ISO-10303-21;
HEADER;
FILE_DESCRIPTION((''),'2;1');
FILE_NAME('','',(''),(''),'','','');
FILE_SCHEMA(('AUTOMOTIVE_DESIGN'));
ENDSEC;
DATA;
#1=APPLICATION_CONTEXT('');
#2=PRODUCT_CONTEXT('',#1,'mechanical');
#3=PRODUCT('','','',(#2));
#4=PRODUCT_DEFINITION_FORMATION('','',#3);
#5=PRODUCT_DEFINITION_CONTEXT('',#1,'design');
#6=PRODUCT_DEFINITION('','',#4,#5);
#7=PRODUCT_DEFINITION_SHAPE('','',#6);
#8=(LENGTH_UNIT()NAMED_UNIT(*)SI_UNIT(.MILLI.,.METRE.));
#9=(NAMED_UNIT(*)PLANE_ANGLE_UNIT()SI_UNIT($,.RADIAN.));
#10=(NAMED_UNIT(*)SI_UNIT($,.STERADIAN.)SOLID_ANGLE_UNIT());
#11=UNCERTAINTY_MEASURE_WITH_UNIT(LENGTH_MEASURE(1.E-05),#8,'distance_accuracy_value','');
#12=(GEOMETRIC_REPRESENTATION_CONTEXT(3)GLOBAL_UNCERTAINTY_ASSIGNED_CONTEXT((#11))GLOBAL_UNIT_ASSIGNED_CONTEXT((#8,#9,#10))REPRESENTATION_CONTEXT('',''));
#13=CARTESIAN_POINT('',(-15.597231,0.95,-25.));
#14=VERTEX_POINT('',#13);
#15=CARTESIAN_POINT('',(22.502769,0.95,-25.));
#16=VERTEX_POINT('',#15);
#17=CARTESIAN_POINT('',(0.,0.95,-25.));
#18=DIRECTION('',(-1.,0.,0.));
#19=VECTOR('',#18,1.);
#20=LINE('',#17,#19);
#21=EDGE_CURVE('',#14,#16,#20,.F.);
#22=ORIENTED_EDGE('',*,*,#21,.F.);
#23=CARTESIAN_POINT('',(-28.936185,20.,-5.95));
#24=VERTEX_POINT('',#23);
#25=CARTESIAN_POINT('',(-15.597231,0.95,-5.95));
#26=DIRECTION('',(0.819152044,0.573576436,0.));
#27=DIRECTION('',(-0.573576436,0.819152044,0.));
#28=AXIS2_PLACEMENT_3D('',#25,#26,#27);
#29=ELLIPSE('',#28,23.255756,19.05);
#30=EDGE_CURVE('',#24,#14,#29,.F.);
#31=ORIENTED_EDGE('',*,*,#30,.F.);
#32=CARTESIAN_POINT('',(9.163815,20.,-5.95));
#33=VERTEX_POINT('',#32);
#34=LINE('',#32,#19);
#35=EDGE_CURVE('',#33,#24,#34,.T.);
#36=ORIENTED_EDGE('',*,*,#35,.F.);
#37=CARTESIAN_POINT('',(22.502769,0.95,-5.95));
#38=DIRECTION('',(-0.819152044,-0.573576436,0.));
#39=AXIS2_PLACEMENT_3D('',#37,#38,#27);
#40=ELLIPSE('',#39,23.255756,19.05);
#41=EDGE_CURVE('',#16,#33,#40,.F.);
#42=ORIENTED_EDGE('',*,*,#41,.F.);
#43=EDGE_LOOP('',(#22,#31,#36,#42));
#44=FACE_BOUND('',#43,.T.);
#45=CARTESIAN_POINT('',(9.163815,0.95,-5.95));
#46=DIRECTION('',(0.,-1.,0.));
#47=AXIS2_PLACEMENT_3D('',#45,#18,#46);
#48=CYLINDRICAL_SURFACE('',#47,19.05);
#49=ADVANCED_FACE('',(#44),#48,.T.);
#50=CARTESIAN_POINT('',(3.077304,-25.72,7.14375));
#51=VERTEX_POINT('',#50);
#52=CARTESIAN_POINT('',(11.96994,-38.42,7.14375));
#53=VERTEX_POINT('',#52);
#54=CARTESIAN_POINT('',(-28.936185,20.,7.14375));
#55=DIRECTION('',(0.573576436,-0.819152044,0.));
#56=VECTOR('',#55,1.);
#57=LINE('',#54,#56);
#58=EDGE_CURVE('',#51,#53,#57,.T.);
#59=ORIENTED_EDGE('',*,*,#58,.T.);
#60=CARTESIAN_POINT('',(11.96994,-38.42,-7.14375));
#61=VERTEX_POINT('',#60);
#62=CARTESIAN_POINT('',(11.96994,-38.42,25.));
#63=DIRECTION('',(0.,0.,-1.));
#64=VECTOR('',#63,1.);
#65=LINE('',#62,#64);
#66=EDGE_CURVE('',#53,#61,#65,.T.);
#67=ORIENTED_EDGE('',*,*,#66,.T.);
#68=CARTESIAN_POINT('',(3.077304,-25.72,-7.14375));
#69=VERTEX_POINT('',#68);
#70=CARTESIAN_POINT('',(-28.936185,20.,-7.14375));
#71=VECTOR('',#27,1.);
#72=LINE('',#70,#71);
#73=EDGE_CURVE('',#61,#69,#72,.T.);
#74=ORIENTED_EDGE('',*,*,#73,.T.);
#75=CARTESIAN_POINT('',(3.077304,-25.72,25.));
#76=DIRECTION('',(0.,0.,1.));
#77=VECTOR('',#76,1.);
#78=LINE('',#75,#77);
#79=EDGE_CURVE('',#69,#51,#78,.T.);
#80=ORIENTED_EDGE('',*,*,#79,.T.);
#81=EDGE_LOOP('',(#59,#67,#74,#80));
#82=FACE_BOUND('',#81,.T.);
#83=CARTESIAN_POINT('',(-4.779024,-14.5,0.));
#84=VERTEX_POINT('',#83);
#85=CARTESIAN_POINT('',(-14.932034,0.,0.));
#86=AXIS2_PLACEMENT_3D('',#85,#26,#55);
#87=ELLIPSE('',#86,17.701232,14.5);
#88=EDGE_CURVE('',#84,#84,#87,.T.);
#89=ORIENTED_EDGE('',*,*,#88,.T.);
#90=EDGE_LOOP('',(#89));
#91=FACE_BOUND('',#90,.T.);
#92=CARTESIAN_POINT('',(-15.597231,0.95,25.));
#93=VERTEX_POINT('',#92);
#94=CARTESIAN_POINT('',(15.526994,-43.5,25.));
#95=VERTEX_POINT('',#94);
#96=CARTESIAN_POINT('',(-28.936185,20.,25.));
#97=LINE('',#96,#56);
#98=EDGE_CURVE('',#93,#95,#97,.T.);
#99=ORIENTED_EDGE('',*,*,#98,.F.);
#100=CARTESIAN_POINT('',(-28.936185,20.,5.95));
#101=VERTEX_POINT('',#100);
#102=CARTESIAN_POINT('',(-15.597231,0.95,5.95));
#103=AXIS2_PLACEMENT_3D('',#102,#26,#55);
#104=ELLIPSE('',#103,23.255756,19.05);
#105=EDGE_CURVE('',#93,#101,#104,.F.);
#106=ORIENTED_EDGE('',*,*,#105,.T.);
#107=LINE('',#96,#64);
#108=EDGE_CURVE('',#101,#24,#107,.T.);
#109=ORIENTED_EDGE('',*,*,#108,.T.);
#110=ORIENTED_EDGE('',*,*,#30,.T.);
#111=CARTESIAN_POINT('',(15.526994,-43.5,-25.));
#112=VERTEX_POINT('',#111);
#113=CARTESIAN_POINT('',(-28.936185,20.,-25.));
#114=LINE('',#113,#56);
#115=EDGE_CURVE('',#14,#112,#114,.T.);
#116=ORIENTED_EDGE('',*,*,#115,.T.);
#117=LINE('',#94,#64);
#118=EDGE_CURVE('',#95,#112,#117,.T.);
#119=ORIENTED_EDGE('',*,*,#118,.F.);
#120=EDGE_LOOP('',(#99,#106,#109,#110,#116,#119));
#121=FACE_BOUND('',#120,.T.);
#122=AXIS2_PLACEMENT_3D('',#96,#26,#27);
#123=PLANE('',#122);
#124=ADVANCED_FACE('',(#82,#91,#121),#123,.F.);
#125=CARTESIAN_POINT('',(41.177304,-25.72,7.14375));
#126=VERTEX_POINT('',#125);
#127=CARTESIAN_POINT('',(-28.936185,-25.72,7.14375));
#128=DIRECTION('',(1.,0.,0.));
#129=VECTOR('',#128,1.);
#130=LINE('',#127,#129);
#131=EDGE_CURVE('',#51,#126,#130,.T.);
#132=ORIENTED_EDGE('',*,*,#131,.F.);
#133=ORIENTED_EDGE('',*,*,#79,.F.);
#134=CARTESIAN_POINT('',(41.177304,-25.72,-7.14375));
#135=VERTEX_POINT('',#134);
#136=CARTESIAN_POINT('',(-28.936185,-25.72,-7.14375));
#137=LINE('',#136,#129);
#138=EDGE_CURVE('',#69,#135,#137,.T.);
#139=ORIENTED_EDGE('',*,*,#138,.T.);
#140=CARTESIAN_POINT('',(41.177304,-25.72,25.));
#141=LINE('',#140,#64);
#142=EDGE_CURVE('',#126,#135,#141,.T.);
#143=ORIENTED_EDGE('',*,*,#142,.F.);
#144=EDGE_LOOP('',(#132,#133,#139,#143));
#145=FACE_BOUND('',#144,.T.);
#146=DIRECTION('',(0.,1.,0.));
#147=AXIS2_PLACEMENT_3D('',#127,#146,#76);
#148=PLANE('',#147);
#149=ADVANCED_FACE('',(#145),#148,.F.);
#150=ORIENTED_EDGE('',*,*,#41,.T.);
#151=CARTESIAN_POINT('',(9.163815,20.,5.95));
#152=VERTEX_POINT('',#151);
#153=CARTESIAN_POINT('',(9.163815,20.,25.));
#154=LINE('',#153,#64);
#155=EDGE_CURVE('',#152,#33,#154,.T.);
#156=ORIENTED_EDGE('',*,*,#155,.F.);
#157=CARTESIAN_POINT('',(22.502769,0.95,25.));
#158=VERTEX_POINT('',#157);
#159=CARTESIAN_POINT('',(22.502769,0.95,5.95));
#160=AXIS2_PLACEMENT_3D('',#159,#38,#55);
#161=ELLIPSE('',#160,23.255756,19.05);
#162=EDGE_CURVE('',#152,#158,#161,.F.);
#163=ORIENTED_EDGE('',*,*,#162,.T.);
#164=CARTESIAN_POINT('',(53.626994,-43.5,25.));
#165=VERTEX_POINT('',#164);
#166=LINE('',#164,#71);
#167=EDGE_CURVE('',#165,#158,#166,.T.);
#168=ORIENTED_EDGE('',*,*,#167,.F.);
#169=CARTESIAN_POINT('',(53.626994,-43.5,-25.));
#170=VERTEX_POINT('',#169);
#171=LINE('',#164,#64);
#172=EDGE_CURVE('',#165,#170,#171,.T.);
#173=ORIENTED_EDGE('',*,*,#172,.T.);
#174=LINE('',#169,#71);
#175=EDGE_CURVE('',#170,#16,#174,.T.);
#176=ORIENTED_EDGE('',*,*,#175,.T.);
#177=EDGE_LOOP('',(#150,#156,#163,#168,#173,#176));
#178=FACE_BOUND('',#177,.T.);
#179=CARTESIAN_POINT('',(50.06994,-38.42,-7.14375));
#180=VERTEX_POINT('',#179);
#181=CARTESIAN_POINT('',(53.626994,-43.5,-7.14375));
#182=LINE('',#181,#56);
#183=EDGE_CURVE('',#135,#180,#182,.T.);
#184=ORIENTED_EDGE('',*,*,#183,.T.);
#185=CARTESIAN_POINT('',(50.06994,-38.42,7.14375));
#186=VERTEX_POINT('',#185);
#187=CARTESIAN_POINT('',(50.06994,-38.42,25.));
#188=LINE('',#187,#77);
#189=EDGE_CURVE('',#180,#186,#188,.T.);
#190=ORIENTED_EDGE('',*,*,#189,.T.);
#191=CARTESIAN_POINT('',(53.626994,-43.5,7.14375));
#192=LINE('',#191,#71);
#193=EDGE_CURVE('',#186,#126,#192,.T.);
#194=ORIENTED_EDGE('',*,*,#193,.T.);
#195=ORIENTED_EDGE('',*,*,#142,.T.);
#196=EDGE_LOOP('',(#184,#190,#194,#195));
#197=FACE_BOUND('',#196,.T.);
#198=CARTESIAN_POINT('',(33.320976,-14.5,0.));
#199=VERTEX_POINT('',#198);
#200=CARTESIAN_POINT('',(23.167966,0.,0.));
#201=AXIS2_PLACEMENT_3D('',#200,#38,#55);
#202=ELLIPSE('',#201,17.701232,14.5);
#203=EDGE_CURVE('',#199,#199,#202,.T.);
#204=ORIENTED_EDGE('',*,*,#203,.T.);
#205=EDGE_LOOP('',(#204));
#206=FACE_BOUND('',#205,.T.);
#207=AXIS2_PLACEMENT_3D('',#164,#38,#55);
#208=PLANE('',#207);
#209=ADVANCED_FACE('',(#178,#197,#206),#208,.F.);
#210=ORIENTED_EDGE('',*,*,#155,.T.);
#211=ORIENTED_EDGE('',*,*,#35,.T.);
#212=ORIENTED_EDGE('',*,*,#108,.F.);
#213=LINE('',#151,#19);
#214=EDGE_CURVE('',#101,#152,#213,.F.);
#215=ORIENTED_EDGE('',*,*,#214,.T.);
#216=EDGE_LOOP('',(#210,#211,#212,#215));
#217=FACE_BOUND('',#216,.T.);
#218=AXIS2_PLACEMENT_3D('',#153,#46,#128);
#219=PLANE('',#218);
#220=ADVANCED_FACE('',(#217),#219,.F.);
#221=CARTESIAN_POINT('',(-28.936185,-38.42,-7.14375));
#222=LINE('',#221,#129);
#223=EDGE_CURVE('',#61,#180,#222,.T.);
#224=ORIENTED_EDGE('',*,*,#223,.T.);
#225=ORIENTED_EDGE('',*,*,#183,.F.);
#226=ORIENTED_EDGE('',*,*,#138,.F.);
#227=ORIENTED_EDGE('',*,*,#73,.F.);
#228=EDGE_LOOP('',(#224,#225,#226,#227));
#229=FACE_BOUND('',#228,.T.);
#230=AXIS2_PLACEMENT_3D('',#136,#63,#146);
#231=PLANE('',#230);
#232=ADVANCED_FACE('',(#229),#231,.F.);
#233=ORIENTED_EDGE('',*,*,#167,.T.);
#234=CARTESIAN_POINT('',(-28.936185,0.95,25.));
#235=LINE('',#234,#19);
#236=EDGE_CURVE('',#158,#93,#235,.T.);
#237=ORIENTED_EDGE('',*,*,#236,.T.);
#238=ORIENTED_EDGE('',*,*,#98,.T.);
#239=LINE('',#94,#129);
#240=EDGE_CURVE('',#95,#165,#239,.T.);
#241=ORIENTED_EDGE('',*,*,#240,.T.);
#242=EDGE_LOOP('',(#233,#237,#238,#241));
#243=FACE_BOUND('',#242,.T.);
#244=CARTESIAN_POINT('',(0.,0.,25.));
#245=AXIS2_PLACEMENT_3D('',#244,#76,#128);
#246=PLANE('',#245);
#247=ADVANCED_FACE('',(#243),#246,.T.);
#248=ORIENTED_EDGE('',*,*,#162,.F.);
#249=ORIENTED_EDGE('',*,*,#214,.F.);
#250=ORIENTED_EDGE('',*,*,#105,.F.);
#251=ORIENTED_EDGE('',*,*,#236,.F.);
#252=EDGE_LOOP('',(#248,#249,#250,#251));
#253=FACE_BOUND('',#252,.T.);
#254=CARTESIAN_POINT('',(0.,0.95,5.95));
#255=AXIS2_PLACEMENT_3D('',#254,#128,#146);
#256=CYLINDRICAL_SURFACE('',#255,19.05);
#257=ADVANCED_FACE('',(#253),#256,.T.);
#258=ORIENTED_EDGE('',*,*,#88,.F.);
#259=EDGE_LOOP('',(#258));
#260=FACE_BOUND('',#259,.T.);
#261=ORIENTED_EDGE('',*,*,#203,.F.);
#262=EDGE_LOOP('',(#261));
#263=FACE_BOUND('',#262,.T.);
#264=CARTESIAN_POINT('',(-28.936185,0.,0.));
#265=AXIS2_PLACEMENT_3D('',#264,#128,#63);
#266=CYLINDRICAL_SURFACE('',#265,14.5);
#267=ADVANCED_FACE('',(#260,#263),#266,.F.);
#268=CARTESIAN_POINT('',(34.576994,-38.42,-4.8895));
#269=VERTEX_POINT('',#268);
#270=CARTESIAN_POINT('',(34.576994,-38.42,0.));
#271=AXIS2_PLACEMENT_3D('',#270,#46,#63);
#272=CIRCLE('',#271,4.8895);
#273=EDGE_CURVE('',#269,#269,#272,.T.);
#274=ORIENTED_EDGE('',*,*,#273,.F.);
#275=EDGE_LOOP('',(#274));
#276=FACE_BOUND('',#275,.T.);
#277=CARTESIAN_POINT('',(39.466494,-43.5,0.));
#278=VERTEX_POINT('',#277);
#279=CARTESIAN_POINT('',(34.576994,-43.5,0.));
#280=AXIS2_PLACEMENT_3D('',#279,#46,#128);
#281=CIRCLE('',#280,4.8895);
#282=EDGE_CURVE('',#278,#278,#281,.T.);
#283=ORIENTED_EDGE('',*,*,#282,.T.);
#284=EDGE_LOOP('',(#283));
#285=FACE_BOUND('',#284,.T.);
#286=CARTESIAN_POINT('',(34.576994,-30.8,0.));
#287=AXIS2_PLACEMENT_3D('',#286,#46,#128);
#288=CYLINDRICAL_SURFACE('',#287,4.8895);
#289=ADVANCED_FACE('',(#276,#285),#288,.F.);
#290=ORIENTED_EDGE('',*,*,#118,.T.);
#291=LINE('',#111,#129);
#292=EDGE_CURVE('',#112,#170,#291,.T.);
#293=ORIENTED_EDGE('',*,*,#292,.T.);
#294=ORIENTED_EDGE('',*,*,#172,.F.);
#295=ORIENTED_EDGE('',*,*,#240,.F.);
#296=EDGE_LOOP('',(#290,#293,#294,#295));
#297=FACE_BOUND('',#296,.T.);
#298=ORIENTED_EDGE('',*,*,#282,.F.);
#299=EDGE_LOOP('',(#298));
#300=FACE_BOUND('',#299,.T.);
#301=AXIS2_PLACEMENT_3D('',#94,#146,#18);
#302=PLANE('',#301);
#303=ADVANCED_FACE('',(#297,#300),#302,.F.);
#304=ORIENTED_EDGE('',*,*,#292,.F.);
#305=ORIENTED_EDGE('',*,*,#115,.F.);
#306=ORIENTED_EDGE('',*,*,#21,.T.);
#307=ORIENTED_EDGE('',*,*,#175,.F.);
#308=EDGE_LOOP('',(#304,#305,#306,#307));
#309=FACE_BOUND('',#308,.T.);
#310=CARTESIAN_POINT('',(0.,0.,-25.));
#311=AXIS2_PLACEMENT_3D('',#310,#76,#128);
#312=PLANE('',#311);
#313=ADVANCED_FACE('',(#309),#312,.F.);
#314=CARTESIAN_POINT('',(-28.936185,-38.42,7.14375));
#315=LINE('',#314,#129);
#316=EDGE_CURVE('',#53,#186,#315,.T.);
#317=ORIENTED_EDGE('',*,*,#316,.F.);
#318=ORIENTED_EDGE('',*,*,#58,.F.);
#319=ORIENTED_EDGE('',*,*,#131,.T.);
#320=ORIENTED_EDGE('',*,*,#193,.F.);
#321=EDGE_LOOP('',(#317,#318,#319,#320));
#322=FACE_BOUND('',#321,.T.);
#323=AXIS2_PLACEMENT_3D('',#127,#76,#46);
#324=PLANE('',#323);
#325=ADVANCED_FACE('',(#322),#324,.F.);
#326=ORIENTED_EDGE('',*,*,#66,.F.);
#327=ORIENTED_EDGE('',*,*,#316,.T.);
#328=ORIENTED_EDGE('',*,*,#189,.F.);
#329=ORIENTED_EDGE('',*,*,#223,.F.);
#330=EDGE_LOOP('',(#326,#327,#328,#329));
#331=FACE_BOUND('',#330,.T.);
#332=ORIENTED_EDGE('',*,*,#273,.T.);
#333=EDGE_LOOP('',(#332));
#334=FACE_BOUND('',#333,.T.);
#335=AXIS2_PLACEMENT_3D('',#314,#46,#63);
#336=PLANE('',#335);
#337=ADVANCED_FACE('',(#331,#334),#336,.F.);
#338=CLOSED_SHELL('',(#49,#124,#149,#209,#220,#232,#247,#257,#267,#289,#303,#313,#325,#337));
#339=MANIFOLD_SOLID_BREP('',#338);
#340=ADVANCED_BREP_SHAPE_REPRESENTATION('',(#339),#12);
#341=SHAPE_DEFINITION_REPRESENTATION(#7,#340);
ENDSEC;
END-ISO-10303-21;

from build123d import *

# Parameters (mm, degrees)
BOSS_EXTRUDE1_DEPTH     = 25
FILLET1_R               = 19.05
CUT_EXTRUDE1_DEPTH      = 74.437759365
CUT_EXTRUDE1_DEPTH_BACK = 74.437759365
SKETCH3_R               = 14.5
SKETCH3_W               = 14.2875
SKETCH3_H               = 12.7
SKETCH5_R               = 4.8895
CUT_EXTRUDE2_DEPTH      = 12.7


with BuildPart() as part:
    # Sketch2 → Boss-Extrude1 (new, symmetric)
    with BuildSketch(Plane.XY):
        Polygon((-28.936184536, 20), (15.526994141, -43.5), (53.626994141, -43.5), (9.163815464, 20), align=None)
    extrude(amount=BOSS_EXTRUDE1_DEPTH, both=True)

    # Fillet1
    fillet1_edges = [part.edges().sort_by_distance(p)[0] for p in [
        (-9.886184536, 20, 25),
        (-9.886184536, 20, -25),
    ]]
    fillet(fillet1_edges, radius=FILLET1_R)

    # Sketch3 → Cut-Extrude1 (cut, two sides: drawn at the far end of the back side and taken through both)
    with BuildSketch(Plane(origin=(0, 0, 0), x_dir=(0, 0, -1), z_dir=(1, 0, 0)).offset(-CUT_EXTRUDE1_DEPTH_BACK)):
        with Locations(Location((0, 0, 0), (0, 0, 270))):
            Circle(SKETCH3_R)
        with Locations((0, -32.07)):
            Rectangle(SKETCH3_W, SKETCH3_H)
    extrude(amount=CUT_EXTRUDE1_DEPTH + CUT_EXTRUDE1_DEPTH_BACK, mode=Mode.SUBTRACT)

    # Sketch5 → Cut-Extrude2 (cut)
    with BuildSketch(Plane.XZ.offset(43.5)):
        with Locations((34.576994141, 0)):
            Circle(SKETCH5_R)
    extrude(amount=-CUT_EXTRUDE2_DEPTH, mode=Mode.SUBTRACT)


solid = part.part
